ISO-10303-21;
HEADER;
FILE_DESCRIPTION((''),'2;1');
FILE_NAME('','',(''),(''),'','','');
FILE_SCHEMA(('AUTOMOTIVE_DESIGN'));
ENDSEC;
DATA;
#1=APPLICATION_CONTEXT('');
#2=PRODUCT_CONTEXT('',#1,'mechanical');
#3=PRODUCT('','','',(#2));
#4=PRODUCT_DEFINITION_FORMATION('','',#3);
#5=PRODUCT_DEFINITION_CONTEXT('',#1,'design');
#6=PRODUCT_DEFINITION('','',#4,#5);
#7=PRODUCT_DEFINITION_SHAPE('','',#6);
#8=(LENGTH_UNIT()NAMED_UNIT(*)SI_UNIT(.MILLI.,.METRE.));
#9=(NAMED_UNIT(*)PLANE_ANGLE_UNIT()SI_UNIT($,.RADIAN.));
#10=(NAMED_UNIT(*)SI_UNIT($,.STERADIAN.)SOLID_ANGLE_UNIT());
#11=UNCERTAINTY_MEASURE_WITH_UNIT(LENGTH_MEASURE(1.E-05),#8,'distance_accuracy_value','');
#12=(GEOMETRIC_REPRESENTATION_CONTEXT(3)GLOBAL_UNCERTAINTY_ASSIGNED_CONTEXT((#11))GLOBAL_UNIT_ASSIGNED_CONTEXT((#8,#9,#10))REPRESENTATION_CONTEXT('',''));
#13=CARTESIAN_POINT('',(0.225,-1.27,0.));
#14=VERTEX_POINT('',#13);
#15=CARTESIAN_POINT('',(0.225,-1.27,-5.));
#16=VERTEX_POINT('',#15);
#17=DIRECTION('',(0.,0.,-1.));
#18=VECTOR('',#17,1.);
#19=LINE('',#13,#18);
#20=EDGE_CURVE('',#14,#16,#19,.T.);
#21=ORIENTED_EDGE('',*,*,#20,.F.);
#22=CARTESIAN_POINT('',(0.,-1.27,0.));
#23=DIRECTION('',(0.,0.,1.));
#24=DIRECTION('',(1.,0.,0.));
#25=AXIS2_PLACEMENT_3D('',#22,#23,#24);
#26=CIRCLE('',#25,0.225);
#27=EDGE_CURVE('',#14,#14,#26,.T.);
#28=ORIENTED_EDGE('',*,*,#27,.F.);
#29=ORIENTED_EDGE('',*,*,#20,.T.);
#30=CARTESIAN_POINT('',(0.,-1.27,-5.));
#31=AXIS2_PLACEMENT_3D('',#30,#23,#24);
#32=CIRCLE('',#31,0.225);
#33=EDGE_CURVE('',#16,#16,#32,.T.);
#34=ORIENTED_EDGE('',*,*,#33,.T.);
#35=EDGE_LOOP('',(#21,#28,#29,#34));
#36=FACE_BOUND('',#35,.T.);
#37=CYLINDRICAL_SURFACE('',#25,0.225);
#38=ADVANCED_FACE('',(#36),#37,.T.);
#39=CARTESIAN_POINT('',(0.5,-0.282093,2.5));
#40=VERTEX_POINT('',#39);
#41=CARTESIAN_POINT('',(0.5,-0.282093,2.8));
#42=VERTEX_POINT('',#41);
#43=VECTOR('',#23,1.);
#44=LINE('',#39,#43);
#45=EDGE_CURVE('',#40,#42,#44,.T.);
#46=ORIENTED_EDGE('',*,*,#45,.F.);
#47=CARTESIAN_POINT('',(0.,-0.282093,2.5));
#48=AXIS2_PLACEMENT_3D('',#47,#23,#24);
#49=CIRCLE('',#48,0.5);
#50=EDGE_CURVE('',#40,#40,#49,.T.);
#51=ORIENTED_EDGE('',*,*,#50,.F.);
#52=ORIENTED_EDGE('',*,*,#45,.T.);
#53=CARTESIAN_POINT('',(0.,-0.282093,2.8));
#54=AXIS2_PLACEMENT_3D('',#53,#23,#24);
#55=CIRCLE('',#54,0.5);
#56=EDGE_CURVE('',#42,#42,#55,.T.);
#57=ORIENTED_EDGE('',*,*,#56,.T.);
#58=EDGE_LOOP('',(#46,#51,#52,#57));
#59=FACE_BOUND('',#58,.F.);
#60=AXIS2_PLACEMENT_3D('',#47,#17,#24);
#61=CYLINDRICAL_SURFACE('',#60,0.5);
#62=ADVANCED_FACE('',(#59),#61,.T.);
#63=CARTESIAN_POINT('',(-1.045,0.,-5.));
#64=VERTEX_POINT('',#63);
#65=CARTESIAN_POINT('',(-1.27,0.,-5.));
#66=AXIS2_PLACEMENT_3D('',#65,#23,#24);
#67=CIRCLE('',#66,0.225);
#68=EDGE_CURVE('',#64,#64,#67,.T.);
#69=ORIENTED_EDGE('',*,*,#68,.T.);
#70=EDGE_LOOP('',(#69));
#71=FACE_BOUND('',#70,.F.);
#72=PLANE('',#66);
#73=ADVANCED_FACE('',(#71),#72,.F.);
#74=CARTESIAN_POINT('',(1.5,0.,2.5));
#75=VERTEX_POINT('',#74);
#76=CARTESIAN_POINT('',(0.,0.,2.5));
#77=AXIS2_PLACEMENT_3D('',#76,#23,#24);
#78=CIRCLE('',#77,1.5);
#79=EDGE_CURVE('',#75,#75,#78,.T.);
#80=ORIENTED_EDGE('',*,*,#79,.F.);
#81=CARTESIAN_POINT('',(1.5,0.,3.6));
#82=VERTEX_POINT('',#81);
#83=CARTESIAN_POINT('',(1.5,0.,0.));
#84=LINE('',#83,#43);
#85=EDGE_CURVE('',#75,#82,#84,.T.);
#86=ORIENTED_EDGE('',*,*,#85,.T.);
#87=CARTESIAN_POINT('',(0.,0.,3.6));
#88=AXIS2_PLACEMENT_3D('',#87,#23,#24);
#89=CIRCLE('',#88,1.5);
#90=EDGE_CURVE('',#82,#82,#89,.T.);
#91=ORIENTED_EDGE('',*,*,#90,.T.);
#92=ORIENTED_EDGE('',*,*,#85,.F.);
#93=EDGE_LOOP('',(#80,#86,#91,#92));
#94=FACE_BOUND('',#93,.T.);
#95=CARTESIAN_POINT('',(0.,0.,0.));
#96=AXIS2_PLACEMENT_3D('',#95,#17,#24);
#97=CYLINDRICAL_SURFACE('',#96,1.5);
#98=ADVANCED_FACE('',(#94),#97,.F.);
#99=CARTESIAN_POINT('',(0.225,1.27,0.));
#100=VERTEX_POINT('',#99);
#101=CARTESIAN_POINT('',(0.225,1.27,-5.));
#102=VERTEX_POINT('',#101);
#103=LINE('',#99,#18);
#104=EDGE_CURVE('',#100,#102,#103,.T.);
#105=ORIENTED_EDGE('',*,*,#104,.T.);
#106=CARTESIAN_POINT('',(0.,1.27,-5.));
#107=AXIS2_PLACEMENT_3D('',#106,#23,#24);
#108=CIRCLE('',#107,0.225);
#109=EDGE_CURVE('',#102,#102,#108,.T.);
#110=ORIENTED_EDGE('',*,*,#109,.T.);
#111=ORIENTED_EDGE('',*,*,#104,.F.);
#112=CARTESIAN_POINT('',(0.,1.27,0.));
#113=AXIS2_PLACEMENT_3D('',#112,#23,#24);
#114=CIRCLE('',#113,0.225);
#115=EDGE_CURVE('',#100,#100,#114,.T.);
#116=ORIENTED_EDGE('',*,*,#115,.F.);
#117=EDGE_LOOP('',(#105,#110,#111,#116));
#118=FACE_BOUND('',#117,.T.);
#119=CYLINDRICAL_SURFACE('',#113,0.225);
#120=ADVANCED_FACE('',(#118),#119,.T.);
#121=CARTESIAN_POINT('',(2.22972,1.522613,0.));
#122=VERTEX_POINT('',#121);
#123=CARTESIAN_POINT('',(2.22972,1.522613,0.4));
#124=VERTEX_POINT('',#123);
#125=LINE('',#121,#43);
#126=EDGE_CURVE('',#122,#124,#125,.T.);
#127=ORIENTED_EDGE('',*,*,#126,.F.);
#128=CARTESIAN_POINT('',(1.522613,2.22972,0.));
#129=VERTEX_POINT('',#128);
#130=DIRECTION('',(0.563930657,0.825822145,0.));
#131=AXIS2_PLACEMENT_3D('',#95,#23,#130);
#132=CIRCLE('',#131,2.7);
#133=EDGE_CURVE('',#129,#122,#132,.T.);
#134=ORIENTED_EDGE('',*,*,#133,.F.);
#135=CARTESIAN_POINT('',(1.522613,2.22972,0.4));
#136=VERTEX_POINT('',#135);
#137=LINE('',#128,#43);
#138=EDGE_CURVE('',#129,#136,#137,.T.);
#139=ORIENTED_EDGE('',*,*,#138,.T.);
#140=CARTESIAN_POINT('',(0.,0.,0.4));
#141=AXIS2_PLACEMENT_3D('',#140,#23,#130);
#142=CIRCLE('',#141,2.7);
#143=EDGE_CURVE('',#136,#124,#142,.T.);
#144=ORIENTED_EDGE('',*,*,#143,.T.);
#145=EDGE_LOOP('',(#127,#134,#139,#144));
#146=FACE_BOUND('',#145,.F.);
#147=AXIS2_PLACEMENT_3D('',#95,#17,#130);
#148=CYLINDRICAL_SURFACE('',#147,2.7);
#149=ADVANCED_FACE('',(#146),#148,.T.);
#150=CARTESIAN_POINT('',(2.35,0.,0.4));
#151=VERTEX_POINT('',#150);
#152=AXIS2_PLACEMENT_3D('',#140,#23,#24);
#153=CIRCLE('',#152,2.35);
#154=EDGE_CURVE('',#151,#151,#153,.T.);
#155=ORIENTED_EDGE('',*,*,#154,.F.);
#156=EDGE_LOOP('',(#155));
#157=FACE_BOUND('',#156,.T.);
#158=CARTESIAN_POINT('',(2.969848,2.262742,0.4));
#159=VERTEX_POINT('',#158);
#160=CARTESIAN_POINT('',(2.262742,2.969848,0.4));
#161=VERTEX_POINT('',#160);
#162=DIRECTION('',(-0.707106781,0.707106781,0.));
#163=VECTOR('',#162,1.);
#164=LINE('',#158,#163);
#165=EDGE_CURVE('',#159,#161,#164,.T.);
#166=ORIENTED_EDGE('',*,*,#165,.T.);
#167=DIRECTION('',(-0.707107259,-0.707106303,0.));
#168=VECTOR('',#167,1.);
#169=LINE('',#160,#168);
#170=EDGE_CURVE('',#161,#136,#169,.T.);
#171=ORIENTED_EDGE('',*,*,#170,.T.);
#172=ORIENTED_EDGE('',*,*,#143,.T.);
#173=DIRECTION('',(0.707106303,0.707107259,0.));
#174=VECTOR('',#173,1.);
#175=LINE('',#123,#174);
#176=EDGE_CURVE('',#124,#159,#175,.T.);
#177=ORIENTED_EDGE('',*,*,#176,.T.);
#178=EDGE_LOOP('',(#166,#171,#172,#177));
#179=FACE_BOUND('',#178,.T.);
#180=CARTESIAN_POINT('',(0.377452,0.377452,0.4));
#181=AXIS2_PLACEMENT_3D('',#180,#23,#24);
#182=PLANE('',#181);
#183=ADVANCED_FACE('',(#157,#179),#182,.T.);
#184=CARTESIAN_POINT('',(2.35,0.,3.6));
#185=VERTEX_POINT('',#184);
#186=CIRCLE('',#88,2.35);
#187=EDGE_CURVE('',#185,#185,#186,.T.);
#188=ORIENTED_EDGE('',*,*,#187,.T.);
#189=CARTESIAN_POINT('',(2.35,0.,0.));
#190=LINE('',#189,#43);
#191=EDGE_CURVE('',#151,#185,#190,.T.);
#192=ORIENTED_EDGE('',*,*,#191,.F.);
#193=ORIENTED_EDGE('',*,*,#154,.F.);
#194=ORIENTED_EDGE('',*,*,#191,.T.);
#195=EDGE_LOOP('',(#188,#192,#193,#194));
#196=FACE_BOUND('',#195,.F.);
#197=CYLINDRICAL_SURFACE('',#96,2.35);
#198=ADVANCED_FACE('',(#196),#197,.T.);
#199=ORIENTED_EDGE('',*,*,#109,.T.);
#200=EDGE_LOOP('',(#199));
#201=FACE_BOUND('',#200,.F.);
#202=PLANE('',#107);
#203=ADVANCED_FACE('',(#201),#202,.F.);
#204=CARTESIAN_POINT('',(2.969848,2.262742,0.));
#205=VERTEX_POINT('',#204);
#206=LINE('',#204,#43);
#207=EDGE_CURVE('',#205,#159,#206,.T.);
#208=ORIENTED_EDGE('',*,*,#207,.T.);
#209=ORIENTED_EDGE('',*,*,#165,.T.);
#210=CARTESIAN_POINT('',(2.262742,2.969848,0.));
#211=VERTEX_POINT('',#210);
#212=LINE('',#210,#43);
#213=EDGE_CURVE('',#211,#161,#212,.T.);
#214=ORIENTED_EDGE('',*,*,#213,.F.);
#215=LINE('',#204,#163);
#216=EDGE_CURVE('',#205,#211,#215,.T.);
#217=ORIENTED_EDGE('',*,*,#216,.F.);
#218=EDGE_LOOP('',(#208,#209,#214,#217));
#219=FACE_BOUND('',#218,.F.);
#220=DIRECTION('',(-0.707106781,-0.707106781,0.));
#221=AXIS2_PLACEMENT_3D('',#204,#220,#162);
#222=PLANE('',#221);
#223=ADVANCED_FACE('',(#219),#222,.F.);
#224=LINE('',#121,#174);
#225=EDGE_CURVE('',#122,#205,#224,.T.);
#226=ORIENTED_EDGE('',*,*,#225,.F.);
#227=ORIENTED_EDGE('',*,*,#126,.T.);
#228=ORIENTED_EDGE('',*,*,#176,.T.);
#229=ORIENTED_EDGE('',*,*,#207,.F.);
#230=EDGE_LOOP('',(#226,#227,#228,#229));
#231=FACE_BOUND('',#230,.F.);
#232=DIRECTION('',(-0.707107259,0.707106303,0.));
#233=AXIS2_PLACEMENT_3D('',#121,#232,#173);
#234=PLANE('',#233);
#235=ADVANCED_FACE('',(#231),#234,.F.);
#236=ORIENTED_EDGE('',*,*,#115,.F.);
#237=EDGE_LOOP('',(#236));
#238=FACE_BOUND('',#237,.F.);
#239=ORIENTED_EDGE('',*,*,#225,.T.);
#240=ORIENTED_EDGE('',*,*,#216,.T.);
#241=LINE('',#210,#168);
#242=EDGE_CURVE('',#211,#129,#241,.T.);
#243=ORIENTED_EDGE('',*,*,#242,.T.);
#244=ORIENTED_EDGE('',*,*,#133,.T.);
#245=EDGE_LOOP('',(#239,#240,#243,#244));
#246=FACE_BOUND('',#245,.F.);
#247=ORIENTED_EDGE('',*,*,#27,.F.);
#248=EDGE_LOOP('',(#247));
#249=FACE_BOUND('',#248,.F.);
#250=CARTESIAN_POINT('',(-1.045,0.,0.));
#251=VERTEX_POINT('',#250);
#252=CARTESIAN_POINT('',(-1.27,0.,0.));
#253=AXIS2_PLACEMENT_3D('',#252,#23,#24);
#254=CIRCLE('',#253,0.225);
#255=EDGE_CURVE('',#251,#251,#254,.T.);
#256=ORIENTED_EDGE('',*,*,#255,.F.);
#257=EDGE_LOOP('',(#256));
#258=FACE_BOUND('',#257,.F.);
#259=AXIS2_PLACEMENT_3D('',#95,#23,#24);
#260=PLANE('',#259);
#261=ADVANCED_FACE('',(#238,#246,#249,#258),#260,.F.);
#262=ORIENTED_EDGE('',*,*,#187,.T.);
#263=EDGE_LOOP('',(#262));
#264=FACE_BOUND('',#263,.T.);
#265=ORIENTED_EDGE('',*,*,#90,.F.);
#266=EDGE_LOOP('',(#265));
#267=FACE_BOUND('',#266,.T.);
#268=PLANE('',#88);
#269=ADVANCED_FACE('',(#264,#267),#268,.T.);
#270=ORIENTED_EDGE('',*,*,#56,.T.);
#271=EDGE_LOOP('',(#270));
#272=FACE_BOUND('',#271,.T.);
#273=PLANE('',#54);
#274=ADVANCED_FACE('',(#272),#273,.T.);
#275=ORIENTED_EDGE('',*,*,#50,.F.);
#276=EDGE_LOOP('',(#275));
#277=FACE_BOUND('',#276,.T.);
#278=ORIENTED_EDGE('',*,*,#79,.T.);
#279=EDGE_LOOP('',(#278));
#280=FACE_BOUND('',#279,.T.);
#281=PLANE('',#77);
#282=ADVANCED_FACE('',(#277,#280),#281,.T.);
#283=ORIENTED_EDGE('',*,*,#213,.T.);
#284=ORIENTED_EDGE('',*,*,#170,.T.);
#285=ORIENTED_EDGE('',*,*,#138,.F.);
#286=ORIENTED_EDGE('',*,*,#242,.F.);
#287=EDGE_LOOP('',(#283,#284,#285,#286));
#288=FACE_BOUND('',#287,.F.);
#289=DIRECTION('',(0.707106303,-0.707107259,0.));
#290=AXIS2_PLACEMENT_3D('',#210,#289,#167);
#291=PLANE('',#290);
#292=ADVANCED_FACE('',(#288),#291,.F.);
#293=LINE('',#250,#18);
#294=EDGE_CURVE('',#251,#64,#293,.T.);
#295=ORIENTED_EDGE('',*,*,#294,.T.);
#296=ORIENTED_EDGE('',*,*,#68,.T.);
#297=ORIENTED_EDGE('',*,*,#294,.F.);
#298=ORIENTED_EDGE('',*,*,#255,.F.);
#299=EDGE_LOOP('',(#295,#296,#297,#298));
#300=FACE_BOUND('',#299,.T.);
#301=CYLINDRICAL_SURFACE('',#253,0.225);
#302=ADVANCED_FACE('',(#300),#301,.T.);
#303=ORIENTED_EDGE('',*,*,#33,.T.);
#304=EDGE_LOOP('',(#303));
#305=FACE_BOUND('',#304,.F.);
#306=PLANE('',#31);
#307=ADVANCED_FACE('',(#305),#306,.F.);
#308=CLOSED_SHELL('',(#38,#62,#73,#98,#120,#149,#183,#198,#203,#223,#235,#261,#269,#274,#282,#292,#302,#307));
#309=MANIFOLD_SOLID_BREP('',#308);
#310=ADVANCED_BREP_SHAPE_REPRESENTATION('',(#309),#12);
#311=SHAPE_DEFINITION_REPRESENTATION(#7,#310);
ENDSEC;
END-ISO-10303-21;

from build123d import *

# Parameters (mm, degrees)
F0_R     = 2.35
F0_R_2   = 1.5
F1_DEPTH = 3.6
F2_DEPTH = 0.4
F3_DEPTH = 2.5
F4_R     = 0.5
F5_DEPTH = 0.3
F6_R     = 0.225
F7_DEPTH = 5


with BuildPart() as f1:
    # F0 (on Top) → F1 (new body)
    with BuildSketch(Plane.XY):
        Circle(F0_R)
        Circle(F0_R_2, mode=Mode.SUBTRACT)
    extrude(amount=F1_DEPTH)

    # F0 (on Top) → F2 (join)
    with BuildSketch(Plane.XY):
        with BuildLine():
            Line((2.262742, 2.969848), (1.522613, 2.22972))
            ThreePointArc((1.522613, 2.22972), (-1.909188, -1.909188), (2.22972, 1.522613))
            Line((2.22972, 1.522613), (2.969848, 2.262742))
            Line((2.969848, 2.262742), (2.616295, 2.616295))
            Line((2.616295, 2.616295), (2.262742, 2.969848))
        make_face()
        Circle(F0_R, mode=Mode.SUBTRACT)
    extrude(amount=F2_DEPTH)

    # F0 (on Top) → F3 (join)
    with BuildSketch(Plane.XY):
        Circle(F0_R_2)
    extrude(amount=F3_DEPTH)

    # F4 (on face) → F5 (join)
    with BuildSketch(Plane.XY.offset(2.5)):
        with Locations((0, -0.282093)):
            Circle(F4_R)
    extrude(amount=F5_DEPTH)

    # F6 (on face) → F7 (join)
    with BuildSketch(Plane.XY):
        with Locations((0, -1.27)):
            Circle(F6_R)
        with Locations((-1.27, 0)):
            Circle(F6_R)
        with Locations((0, 1.27)):
            Circle(F6_R)
    extrude(amount=-F7_DEPTH)


solid = f1.part
